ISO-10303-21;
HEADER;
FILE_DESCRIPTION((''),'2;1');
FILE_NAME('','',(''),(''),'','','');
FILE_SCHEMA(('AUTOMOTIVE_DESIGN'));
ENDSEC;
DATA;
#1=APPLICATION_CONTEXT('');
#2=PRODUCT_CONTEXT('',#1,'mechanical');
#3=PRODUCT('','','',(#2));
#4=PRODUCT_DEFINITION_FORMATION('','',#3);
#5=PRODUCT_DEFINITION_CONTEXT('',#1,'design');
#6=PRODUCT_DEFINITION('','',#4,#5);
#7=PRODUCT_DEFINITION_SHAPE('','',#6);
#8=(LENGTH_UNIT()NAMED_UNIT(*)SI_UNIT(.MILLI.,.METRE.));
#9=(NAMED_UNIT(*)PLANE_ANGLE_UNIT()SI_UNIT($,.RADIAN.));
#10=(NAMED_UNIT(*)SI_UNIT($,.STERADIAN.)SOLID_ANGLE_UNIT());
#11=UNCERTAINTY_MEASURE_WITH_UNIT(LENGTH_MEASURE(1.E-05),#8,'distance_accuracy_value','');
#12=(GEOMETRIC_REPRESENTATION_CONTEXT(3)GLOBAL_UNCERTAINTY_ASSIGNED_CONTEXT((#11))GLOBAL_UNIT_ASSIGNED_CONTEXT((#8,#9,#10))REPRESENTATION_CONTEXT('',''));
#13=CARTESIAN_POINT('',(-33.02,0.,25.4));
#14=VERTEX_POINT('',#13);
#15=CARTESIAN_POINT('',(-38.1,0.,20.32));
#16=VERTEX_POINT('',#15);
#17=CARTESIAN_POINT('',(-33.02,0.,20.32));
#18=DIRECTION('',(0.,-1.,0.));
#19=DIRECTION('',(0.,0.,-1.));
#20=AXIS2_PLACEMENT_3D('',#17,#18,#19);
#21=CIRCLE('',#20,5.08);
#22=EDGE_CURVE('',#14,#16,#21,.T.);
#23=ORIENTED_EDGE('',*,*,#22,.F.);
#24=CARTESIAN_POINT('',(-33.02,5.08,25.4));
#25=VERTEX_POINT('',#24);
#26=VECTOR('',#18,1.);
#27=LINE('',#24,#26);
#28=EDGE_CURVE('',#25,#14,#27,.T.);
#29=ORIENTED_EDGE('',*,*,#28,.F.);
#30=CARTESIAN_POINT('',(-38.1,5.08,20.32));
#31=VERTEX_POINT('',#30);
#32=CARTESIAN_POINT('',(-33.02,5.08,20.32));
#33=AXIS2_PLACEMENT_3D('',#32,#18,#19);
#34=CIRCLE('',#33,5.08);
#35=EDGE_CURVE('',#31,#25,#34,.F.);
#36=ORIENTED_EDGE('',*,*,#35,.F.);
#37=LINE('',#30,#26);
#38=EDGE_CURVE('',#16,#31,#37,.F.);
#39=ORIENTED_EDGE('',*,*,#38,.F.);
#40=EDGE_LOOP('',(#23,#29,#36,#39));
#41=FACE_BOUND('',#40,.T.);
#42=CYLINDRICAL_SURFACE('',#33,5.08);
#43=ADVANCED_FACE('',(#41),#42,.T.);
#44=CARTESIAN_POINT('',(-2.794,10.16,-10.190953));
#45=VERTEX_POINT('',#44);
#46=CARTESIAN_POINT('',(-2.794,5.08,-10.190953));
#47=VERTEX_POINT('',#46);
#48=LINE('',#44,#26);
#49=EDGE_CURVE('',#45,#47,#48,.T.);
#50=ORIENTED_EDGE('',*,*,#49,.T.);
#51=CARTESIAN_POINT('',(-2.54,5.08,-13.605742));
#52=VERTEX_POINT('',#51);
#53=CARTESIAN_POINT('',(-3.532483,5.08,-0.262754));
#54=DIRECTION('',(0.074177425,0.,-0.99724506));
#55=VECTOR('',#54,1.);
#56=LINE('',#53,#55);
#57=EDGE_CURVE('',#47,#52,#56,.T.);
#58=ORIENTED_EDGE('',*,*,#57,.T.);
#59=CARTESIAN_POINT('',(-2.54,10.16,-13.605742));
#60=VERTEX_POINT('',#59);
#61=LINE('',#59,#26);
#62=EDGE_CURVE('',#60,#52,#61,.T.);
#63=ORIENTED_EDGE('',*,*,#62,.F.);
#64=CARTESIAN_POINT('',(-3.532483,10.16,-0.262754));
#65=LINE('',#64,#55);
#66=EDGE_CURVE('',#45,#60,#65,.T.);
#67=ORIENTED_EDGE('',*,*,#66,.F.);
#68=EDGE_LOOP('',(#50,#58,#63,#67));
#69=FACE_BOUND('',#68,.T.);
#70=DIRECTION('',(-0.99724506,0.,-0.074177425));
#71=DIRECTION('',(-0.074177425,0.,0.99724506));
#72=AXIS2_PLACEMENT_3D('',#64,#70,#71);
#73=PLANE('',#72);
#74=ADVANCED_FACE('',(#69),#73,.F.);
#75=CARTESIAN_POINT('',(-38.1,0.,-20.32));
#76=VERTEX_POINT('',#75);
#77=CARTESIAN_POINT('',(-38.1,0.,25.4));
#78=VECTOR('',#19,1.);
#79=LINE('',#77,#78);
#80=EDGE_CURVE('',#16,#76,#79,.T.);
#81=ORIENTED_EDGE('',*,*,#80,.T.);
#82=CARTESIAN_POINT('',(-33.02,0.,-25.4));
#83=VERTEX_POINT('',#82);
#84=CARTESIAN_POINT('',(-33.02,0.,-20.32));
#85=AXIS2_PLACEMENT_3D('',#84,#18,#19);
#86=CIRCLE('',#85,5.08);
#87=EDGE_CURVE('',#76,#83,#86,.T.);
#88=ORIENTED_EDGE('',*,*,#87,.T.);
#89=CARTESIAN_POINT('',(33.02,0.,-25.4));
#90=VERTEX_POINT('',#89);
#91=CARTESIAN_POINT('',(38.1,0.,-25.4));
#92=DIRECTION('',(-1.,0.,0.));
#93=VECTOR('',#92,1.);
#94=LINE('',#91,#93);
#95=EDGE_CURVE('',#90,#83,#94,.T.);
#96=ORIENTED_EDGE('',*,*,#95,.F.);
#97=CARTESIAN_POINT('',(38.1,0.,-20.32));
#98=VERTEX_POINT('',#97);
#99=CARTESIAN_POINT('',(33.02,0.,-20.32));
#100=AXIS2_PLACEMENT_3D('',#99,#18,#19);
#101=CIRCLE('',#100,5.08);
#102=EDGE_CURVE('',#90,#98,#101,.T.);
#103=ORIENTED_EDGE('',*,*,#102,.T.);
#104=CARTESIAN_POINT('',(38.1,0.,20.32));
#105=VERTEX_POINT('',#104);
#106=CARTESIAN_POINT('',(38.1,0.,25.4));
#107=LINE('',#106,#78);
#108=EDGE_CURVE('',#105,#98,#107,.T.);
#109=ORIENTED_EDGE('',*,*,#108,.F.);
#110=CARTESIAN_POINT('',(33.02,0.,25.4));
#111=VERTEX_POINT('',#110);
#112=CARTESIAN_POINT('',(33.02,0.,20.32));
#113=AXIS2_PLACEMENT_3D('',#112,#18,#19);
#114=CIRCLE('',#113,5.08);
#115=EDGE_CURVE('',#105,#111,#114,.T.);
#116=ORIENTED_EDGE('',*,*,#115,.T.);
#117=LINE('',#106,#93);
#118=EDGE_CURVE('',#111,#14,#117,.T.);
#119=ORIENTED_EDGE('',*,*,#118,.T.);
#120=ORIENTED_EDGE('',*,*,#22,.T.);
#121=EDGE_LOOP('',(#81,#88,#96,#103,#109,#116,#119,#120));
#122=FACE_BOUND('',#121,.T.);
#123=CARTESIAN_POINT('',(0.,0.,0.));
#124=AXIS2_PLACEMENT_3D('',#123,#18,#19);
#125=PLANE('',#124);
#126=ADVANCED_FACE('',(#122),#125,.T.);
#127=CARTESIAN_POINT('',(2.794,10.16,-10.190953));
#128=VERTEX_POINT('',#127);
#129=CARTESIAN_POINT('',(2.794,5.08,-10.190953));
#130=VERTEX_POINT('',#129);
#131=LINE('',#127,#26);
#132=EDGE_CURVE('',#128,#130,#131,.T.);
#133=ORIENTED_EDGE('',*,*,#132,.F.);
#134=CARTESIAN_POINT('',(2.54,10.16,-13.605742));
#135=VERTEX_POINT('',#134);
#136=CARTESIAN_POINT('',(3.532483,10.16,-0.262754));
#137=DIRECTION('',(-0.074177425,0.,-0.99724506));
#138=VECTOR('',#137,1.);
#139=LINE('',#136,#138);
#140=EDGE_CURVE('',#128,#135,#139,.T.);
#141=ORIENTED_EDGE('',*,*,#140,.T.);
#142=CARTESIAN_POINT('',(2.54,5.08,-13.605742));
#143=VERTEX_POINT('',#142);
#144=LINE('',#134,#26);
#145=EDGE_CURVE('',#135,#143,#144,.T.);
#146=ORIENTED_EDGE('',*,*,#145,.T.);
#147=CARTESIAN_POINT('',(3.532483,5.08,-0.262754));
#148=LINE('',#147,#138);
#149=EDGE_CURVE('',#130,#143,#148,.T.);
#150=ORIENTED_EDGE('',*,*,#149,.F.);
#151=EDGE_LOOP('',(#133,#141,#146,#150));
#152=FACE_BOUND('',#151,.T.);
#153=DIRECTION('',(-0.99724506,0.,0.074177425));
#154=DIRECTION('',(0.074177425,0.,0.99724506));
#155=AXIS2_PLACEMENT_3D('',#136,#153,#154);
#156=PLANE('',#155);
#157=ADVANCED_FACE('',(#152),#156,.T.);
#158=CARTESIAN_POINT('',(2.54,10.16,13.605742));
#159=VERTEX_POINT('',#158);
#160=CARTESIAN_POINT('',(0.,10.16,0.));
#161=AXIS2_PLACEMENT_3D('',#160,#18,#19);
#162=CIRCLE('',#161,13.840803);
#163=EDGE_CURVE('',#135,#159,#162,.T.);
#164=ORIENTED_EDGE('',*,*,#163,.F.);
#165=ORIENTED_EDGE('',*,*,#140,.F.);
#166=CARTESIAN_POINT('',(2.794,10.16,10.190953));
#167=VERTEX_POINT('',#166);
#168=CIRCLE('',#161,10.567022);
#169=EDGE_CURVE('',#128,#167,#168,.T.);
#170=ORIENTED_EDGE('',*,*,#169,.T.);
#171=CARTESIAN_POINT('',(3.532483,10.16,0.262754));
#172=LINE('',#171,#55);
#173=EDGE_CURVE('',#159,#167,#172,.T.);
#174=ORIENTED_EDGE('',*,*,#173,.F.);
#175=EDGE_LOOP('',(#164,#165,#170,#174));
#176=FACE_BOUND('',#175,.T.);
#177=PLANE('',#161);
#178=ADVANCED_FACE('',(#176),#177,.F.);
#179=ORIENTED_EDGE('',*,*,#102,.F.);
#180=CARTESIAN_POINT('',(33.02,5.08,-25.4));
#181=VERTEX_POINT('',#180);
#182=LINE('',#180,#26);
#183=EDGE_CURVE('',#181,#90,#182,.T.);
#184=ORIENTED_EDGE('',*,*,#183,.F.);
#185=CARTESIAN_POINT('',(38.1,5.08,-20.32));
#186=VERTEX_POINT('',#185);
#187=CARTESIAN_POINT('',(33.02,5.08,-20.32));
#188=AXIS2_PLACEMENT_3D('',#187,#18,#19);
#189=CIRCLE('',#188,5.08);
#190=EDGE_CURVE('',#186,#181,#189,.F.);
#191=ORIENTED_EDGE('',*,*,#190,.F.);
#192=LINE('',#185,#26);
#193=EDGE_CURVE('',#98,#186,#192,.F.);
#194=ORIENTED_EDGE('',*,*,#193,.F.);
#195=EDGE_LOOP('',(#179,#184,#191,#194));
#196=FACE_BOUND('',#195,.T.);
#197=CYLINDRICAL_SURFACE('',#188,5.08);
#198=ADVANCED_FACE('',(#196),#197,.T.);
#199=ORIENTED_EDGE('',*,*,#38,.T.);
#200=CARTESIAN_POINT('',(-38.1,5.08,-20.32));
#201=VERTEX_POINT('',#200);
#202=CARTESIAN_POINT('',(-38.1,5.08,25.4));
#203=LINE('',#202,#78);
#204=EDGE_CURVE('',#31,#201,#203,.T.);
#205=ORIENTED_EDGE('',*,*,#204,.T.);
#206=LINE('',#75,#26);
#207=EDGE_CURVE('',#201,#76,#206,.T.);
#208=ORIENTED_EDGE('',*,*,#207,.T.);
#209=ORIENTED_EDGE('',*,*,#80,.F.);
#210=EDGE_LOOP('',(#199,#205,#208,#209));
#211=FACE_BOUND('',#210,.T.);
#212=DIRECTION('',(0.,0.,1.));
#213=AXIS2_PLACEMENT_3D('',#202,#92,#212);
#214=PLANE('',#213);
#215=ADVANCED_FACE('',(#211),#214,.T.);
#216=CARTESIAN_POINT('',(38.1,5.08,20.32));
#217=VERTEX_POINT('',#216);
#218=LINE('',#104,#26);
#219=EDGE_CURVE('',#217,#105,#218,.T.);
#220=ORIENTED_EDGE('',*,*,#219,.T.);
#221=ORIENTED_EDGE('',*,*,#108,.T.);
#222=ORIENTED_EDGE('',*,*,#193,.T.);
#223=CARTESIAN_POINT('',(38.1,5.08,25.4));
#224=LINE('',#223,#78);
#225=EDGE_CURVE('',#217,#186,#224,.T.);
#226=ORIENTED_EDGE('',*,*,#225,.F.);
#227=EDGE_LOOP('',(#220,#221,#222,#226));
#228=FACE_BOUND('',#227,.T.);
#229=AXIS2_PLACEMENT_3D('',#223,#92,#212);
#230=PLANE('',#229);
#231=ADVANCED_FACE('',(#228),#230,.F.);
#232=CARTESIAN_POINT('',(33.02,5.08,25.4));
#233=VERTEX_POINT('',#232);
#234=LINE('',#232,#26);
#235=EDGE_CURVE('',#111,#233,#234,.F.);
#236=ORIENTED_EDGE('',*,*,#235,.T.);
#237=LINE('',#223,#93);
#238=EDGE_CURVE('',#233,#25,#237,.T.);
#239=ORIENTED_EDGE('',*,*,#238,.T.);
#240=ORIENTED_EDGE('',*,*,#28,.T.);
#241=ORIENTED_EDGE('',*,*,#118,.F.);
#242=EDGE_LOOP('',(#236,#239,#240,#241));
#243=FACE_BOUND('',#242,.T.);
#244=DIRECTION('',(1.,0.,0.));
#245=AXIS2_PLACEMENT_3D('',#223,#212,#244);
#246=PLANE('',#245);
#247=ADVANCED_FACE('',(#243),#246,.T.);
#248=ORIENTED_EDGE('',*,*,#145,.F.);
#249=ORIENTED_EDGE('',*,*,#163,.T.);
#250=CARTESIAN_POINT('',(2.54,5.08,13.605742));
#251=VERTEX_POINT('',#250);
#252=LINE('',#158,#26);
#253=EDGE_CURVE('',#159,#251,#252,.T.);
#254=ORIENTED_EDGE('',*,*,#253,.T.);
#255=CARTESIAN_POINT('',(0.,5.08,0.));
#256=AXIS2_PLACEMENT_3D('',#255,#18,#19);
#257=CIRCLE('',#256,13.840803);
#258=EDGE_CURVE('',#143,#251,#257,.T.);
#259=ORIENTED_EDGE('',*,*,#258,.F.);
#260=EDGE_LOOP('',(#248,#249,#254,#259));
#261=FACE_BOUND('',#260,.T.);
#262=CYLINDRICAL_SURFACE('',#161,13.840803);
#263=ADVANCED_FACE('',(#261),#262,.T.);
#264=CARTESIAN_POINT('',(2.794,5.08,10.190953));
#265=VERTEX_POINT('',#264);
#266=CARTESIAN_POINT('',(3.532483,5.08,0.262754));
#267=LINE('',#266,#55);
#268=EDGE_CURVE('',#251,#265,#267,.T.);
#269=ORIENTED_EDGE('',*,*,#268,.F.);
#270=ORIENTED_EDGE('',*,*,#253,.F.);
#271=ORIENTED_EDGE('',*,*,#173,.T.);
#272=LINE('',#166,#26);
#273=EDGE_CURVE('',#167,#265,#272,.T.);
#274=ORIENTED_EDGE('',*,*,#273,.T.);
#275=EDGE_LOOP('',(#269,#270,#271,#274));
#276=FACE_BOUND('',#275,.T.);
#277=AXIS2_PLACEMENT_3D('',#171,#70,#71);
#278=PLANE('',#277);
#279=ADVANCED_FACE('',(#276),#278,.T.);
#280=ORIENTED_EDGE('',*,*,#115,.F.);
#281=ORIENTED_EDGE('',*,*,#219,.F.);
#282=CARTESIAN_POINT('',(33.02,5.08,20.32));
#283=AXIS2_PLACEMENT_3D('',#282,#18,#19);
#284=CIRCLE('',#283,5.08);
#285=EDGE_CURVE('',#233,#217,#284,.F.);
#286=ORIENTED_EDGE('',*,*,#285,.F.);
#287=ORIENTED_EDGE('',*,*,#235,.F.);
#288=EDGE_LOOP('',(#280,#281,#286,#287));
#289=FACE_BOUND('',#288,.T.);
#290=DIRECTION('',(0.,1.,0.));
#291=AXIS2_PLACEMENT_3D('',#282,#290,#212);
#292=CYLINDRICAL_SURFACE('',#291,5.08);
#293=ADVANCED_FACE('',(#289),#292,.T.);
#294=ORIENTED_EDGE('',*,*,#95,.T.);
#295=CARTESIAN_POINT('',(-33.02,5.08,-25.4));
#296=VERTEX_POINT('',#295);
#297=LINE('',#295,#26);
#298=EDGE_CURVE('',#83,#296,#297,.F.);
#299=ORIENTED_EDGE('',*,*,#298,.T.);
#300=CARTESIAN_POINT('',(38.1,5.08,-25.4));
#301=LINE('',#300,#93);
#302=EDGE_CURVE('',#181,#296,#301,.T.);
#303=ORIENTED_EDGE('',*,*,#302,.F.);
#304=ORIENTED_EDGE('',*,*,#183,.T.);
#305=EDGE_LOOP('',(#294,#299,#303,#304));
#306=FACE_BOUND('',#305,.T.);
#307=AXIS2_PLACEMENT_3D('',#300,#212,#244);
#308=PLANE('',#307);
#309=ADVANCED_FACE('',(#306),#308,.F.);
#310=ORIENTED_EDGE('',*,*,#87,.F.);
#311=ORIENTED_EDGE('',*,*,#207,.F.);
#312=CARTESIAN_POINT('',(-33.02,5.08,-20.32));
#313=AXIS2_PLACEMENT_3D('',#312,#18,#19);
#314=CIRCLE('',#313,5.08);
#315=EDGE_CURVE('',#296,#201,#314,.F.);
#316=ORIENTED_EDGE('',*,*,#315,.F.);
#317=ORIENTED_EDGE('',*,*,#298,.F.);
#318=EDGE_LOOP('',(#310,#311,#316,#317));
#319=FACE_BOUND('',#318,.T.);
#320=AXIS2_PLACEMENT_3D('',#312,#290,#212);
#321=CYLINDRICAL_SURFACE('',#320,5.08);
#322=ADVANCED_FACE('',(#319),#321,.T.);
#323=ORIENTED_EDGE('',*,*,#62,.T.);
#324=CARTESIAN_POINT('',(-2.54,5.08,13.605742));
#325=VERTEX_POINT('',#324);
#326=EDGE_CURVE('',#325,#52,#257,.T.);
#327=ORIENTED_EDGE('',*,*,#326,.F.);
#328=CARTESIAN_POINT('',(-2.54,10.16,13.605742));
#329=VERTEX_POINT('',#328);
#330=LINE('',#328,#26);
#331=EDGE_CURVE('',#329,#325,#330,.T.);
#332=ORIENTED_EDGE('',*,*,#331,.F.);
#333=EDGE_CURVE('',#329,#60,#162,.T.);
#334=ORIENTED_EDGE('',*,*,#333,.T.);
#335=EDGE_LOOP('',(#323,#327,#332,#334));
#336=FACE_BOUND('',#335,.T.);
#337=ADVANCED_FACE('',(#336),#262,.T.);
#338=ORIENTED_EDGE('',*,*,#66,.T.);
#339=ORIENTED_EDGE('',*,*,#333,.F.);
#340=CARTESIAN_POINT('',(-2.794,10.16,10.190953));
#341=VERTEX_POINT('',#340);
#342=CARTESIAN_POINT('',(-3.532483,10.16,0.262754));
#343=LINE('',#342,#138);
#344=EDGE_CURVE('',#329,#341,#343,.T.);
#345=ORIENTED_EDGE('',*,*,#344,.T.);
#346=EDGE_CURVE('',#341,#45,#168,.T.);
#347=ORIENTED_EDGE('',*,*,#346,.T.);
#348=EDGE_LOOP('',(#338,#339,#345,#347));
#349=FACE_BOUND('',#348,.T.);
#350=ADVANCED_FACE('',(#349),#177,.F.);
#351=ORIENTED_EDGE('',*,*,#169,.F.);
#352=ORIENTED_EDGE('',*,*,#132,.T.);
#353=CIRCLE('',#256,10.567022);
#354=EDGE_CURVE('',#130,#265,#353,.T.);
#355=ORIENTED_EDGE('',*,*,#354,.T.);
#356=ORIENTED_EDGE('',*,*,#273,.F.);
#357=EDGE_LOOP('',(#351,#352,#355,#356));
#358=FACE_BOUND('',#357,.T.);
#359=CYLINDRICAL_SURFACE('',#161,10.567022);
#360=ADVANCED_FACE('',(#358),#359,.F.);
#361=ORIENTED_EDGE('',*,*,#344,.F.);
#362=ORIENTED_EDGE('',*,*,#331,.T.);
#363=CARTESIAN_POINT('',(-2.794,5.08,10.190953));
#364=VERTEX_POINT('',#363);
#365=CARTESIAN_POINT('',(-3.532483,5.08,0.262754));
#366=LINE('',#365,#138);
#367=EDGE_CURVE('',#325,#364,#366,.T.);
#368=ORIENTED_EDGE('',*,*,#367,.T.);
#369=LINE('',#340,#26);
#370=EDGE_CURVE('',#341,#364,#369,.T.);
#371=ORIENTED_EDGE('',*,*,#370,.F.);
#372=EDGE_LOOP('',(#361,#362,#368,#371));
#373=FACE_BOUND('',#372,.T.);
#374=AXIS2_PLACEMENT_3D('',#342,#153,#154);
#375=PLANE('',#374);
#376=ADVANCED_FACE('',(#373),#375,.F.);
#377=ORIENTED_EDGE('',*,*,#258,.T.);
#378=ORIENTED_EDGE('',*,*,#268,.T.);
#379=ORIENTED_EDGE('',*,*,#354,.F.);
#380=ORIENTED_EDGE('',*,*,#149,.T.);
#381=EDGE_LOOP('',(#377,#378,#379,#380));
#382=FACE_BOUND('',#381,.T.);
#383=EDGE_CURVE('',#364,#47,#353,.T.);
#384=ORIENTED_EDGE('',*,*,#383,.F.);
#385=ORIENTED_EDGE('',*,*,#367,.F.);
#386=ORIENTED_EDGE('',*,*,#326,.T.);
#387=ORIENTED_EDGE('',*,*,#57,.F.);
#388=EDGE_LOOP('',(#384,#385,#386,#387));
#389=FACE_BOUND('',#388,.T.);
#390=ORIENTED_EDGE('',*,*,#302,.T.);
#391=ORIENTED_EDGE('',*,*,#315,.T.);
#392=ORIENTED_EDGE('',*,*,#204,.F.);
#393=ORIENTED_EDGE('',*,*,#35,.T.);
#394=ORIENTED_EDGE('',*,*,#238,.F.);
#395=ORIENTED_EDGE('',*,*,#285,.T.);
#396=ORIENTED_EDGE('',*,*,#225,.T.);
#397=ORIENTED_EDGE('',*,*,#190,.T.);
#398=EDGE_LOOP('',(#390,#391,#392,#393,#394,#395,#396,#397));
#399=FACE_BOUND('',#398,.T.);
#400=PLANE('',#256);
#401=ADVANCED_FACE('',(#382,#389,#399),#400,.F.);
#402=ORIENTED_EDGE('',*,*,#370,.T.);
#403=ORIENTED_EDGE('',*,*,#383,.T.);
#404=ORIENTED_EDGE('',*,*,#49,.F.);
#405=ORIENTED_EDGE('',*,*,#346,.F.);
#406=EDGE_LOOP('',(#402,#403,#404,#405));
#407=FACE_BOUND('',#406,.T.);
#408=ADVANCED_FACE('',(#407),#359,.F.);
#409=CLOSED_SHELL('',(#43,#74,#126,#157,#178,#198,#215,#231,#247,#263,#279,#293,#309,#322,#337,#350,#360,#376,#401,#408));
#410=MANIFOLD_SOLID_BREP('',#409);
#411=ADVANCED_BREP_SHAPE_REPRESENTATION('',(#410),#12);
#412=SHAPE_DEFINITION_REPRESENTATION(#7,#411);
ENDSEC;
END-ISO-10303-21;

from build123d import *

# Parameters (mm, degrees)
SKETCH1_W           = 76.2
SKETCH1_H           = 50.8
BOSS_EXTRUDE1_DEPTH = 5.08
FILLET1_R           = 5.08
BOSS_EXTRUDE2_DEPTH = 5.08


with BuildPart() as part:
    # Sketch1 → Boss-Extrude1 (new body)
    with BuildSketch(Plane(origin=(0, 0, 0), x_dir=(1, 0, 0), z_dir=(0, 1, 0))):
        Rectangle(SKETCH1_W, SKETCH1_H)
    extrude(amount=BOSS_EXTRUDE1_DEPTH)

    # Fillet1
    fillet1_edges = [part.edges().sort_by_distance(p)[0] for p in [
        (38.1, 2.54, -25.4),
        (38.1, 2.54, 25.4),
        (-38.1, 2.54, 25.4),
        (-38.1, 2.54, -25.4),
    ]]
    fillet(fillet1_edges, radius=FILLET1_R)

    # Sketch2 → Boss-Extrude2 (add)
    with BuildSketch(Plane(origin=(0, 5.08, 0), x_dir=(1, 0, 0), z_dir=(0, 1, 0))):
        with BuildLine():
            Line((2.794, 10.190953103), (2.54, 13.605741995))
            ThreePointArc((2.54, 13.605741995), (13.840802551, 0), (2.54, -13.605741995))
            Line((2.54, -13.605741995), (2.794, -10.190953103))
            ThreePointArc((2.794, -10.190953103), (10.567022341, 0), (2.794, 10.190953103))
        make_face()
        with BuildLine():
            Line((-2.794, 10.190953103), (-2.54, 13.605741995))
            ThreePointArc((-2.54, 13.605741995), (-13.840802551, 0), (-2.54, -13.605741995))
            Line((-2.54, -13.605741995), (-2.794, -10.190953103))
            ThreePointArc((-2.794, -10.190953103), (-10.567022341, 0), (-2.794, 10.190953103))
        make_face()
    extrude(amount=BOSS_EXTRUDE2_DEPTH)


solid = part.part
